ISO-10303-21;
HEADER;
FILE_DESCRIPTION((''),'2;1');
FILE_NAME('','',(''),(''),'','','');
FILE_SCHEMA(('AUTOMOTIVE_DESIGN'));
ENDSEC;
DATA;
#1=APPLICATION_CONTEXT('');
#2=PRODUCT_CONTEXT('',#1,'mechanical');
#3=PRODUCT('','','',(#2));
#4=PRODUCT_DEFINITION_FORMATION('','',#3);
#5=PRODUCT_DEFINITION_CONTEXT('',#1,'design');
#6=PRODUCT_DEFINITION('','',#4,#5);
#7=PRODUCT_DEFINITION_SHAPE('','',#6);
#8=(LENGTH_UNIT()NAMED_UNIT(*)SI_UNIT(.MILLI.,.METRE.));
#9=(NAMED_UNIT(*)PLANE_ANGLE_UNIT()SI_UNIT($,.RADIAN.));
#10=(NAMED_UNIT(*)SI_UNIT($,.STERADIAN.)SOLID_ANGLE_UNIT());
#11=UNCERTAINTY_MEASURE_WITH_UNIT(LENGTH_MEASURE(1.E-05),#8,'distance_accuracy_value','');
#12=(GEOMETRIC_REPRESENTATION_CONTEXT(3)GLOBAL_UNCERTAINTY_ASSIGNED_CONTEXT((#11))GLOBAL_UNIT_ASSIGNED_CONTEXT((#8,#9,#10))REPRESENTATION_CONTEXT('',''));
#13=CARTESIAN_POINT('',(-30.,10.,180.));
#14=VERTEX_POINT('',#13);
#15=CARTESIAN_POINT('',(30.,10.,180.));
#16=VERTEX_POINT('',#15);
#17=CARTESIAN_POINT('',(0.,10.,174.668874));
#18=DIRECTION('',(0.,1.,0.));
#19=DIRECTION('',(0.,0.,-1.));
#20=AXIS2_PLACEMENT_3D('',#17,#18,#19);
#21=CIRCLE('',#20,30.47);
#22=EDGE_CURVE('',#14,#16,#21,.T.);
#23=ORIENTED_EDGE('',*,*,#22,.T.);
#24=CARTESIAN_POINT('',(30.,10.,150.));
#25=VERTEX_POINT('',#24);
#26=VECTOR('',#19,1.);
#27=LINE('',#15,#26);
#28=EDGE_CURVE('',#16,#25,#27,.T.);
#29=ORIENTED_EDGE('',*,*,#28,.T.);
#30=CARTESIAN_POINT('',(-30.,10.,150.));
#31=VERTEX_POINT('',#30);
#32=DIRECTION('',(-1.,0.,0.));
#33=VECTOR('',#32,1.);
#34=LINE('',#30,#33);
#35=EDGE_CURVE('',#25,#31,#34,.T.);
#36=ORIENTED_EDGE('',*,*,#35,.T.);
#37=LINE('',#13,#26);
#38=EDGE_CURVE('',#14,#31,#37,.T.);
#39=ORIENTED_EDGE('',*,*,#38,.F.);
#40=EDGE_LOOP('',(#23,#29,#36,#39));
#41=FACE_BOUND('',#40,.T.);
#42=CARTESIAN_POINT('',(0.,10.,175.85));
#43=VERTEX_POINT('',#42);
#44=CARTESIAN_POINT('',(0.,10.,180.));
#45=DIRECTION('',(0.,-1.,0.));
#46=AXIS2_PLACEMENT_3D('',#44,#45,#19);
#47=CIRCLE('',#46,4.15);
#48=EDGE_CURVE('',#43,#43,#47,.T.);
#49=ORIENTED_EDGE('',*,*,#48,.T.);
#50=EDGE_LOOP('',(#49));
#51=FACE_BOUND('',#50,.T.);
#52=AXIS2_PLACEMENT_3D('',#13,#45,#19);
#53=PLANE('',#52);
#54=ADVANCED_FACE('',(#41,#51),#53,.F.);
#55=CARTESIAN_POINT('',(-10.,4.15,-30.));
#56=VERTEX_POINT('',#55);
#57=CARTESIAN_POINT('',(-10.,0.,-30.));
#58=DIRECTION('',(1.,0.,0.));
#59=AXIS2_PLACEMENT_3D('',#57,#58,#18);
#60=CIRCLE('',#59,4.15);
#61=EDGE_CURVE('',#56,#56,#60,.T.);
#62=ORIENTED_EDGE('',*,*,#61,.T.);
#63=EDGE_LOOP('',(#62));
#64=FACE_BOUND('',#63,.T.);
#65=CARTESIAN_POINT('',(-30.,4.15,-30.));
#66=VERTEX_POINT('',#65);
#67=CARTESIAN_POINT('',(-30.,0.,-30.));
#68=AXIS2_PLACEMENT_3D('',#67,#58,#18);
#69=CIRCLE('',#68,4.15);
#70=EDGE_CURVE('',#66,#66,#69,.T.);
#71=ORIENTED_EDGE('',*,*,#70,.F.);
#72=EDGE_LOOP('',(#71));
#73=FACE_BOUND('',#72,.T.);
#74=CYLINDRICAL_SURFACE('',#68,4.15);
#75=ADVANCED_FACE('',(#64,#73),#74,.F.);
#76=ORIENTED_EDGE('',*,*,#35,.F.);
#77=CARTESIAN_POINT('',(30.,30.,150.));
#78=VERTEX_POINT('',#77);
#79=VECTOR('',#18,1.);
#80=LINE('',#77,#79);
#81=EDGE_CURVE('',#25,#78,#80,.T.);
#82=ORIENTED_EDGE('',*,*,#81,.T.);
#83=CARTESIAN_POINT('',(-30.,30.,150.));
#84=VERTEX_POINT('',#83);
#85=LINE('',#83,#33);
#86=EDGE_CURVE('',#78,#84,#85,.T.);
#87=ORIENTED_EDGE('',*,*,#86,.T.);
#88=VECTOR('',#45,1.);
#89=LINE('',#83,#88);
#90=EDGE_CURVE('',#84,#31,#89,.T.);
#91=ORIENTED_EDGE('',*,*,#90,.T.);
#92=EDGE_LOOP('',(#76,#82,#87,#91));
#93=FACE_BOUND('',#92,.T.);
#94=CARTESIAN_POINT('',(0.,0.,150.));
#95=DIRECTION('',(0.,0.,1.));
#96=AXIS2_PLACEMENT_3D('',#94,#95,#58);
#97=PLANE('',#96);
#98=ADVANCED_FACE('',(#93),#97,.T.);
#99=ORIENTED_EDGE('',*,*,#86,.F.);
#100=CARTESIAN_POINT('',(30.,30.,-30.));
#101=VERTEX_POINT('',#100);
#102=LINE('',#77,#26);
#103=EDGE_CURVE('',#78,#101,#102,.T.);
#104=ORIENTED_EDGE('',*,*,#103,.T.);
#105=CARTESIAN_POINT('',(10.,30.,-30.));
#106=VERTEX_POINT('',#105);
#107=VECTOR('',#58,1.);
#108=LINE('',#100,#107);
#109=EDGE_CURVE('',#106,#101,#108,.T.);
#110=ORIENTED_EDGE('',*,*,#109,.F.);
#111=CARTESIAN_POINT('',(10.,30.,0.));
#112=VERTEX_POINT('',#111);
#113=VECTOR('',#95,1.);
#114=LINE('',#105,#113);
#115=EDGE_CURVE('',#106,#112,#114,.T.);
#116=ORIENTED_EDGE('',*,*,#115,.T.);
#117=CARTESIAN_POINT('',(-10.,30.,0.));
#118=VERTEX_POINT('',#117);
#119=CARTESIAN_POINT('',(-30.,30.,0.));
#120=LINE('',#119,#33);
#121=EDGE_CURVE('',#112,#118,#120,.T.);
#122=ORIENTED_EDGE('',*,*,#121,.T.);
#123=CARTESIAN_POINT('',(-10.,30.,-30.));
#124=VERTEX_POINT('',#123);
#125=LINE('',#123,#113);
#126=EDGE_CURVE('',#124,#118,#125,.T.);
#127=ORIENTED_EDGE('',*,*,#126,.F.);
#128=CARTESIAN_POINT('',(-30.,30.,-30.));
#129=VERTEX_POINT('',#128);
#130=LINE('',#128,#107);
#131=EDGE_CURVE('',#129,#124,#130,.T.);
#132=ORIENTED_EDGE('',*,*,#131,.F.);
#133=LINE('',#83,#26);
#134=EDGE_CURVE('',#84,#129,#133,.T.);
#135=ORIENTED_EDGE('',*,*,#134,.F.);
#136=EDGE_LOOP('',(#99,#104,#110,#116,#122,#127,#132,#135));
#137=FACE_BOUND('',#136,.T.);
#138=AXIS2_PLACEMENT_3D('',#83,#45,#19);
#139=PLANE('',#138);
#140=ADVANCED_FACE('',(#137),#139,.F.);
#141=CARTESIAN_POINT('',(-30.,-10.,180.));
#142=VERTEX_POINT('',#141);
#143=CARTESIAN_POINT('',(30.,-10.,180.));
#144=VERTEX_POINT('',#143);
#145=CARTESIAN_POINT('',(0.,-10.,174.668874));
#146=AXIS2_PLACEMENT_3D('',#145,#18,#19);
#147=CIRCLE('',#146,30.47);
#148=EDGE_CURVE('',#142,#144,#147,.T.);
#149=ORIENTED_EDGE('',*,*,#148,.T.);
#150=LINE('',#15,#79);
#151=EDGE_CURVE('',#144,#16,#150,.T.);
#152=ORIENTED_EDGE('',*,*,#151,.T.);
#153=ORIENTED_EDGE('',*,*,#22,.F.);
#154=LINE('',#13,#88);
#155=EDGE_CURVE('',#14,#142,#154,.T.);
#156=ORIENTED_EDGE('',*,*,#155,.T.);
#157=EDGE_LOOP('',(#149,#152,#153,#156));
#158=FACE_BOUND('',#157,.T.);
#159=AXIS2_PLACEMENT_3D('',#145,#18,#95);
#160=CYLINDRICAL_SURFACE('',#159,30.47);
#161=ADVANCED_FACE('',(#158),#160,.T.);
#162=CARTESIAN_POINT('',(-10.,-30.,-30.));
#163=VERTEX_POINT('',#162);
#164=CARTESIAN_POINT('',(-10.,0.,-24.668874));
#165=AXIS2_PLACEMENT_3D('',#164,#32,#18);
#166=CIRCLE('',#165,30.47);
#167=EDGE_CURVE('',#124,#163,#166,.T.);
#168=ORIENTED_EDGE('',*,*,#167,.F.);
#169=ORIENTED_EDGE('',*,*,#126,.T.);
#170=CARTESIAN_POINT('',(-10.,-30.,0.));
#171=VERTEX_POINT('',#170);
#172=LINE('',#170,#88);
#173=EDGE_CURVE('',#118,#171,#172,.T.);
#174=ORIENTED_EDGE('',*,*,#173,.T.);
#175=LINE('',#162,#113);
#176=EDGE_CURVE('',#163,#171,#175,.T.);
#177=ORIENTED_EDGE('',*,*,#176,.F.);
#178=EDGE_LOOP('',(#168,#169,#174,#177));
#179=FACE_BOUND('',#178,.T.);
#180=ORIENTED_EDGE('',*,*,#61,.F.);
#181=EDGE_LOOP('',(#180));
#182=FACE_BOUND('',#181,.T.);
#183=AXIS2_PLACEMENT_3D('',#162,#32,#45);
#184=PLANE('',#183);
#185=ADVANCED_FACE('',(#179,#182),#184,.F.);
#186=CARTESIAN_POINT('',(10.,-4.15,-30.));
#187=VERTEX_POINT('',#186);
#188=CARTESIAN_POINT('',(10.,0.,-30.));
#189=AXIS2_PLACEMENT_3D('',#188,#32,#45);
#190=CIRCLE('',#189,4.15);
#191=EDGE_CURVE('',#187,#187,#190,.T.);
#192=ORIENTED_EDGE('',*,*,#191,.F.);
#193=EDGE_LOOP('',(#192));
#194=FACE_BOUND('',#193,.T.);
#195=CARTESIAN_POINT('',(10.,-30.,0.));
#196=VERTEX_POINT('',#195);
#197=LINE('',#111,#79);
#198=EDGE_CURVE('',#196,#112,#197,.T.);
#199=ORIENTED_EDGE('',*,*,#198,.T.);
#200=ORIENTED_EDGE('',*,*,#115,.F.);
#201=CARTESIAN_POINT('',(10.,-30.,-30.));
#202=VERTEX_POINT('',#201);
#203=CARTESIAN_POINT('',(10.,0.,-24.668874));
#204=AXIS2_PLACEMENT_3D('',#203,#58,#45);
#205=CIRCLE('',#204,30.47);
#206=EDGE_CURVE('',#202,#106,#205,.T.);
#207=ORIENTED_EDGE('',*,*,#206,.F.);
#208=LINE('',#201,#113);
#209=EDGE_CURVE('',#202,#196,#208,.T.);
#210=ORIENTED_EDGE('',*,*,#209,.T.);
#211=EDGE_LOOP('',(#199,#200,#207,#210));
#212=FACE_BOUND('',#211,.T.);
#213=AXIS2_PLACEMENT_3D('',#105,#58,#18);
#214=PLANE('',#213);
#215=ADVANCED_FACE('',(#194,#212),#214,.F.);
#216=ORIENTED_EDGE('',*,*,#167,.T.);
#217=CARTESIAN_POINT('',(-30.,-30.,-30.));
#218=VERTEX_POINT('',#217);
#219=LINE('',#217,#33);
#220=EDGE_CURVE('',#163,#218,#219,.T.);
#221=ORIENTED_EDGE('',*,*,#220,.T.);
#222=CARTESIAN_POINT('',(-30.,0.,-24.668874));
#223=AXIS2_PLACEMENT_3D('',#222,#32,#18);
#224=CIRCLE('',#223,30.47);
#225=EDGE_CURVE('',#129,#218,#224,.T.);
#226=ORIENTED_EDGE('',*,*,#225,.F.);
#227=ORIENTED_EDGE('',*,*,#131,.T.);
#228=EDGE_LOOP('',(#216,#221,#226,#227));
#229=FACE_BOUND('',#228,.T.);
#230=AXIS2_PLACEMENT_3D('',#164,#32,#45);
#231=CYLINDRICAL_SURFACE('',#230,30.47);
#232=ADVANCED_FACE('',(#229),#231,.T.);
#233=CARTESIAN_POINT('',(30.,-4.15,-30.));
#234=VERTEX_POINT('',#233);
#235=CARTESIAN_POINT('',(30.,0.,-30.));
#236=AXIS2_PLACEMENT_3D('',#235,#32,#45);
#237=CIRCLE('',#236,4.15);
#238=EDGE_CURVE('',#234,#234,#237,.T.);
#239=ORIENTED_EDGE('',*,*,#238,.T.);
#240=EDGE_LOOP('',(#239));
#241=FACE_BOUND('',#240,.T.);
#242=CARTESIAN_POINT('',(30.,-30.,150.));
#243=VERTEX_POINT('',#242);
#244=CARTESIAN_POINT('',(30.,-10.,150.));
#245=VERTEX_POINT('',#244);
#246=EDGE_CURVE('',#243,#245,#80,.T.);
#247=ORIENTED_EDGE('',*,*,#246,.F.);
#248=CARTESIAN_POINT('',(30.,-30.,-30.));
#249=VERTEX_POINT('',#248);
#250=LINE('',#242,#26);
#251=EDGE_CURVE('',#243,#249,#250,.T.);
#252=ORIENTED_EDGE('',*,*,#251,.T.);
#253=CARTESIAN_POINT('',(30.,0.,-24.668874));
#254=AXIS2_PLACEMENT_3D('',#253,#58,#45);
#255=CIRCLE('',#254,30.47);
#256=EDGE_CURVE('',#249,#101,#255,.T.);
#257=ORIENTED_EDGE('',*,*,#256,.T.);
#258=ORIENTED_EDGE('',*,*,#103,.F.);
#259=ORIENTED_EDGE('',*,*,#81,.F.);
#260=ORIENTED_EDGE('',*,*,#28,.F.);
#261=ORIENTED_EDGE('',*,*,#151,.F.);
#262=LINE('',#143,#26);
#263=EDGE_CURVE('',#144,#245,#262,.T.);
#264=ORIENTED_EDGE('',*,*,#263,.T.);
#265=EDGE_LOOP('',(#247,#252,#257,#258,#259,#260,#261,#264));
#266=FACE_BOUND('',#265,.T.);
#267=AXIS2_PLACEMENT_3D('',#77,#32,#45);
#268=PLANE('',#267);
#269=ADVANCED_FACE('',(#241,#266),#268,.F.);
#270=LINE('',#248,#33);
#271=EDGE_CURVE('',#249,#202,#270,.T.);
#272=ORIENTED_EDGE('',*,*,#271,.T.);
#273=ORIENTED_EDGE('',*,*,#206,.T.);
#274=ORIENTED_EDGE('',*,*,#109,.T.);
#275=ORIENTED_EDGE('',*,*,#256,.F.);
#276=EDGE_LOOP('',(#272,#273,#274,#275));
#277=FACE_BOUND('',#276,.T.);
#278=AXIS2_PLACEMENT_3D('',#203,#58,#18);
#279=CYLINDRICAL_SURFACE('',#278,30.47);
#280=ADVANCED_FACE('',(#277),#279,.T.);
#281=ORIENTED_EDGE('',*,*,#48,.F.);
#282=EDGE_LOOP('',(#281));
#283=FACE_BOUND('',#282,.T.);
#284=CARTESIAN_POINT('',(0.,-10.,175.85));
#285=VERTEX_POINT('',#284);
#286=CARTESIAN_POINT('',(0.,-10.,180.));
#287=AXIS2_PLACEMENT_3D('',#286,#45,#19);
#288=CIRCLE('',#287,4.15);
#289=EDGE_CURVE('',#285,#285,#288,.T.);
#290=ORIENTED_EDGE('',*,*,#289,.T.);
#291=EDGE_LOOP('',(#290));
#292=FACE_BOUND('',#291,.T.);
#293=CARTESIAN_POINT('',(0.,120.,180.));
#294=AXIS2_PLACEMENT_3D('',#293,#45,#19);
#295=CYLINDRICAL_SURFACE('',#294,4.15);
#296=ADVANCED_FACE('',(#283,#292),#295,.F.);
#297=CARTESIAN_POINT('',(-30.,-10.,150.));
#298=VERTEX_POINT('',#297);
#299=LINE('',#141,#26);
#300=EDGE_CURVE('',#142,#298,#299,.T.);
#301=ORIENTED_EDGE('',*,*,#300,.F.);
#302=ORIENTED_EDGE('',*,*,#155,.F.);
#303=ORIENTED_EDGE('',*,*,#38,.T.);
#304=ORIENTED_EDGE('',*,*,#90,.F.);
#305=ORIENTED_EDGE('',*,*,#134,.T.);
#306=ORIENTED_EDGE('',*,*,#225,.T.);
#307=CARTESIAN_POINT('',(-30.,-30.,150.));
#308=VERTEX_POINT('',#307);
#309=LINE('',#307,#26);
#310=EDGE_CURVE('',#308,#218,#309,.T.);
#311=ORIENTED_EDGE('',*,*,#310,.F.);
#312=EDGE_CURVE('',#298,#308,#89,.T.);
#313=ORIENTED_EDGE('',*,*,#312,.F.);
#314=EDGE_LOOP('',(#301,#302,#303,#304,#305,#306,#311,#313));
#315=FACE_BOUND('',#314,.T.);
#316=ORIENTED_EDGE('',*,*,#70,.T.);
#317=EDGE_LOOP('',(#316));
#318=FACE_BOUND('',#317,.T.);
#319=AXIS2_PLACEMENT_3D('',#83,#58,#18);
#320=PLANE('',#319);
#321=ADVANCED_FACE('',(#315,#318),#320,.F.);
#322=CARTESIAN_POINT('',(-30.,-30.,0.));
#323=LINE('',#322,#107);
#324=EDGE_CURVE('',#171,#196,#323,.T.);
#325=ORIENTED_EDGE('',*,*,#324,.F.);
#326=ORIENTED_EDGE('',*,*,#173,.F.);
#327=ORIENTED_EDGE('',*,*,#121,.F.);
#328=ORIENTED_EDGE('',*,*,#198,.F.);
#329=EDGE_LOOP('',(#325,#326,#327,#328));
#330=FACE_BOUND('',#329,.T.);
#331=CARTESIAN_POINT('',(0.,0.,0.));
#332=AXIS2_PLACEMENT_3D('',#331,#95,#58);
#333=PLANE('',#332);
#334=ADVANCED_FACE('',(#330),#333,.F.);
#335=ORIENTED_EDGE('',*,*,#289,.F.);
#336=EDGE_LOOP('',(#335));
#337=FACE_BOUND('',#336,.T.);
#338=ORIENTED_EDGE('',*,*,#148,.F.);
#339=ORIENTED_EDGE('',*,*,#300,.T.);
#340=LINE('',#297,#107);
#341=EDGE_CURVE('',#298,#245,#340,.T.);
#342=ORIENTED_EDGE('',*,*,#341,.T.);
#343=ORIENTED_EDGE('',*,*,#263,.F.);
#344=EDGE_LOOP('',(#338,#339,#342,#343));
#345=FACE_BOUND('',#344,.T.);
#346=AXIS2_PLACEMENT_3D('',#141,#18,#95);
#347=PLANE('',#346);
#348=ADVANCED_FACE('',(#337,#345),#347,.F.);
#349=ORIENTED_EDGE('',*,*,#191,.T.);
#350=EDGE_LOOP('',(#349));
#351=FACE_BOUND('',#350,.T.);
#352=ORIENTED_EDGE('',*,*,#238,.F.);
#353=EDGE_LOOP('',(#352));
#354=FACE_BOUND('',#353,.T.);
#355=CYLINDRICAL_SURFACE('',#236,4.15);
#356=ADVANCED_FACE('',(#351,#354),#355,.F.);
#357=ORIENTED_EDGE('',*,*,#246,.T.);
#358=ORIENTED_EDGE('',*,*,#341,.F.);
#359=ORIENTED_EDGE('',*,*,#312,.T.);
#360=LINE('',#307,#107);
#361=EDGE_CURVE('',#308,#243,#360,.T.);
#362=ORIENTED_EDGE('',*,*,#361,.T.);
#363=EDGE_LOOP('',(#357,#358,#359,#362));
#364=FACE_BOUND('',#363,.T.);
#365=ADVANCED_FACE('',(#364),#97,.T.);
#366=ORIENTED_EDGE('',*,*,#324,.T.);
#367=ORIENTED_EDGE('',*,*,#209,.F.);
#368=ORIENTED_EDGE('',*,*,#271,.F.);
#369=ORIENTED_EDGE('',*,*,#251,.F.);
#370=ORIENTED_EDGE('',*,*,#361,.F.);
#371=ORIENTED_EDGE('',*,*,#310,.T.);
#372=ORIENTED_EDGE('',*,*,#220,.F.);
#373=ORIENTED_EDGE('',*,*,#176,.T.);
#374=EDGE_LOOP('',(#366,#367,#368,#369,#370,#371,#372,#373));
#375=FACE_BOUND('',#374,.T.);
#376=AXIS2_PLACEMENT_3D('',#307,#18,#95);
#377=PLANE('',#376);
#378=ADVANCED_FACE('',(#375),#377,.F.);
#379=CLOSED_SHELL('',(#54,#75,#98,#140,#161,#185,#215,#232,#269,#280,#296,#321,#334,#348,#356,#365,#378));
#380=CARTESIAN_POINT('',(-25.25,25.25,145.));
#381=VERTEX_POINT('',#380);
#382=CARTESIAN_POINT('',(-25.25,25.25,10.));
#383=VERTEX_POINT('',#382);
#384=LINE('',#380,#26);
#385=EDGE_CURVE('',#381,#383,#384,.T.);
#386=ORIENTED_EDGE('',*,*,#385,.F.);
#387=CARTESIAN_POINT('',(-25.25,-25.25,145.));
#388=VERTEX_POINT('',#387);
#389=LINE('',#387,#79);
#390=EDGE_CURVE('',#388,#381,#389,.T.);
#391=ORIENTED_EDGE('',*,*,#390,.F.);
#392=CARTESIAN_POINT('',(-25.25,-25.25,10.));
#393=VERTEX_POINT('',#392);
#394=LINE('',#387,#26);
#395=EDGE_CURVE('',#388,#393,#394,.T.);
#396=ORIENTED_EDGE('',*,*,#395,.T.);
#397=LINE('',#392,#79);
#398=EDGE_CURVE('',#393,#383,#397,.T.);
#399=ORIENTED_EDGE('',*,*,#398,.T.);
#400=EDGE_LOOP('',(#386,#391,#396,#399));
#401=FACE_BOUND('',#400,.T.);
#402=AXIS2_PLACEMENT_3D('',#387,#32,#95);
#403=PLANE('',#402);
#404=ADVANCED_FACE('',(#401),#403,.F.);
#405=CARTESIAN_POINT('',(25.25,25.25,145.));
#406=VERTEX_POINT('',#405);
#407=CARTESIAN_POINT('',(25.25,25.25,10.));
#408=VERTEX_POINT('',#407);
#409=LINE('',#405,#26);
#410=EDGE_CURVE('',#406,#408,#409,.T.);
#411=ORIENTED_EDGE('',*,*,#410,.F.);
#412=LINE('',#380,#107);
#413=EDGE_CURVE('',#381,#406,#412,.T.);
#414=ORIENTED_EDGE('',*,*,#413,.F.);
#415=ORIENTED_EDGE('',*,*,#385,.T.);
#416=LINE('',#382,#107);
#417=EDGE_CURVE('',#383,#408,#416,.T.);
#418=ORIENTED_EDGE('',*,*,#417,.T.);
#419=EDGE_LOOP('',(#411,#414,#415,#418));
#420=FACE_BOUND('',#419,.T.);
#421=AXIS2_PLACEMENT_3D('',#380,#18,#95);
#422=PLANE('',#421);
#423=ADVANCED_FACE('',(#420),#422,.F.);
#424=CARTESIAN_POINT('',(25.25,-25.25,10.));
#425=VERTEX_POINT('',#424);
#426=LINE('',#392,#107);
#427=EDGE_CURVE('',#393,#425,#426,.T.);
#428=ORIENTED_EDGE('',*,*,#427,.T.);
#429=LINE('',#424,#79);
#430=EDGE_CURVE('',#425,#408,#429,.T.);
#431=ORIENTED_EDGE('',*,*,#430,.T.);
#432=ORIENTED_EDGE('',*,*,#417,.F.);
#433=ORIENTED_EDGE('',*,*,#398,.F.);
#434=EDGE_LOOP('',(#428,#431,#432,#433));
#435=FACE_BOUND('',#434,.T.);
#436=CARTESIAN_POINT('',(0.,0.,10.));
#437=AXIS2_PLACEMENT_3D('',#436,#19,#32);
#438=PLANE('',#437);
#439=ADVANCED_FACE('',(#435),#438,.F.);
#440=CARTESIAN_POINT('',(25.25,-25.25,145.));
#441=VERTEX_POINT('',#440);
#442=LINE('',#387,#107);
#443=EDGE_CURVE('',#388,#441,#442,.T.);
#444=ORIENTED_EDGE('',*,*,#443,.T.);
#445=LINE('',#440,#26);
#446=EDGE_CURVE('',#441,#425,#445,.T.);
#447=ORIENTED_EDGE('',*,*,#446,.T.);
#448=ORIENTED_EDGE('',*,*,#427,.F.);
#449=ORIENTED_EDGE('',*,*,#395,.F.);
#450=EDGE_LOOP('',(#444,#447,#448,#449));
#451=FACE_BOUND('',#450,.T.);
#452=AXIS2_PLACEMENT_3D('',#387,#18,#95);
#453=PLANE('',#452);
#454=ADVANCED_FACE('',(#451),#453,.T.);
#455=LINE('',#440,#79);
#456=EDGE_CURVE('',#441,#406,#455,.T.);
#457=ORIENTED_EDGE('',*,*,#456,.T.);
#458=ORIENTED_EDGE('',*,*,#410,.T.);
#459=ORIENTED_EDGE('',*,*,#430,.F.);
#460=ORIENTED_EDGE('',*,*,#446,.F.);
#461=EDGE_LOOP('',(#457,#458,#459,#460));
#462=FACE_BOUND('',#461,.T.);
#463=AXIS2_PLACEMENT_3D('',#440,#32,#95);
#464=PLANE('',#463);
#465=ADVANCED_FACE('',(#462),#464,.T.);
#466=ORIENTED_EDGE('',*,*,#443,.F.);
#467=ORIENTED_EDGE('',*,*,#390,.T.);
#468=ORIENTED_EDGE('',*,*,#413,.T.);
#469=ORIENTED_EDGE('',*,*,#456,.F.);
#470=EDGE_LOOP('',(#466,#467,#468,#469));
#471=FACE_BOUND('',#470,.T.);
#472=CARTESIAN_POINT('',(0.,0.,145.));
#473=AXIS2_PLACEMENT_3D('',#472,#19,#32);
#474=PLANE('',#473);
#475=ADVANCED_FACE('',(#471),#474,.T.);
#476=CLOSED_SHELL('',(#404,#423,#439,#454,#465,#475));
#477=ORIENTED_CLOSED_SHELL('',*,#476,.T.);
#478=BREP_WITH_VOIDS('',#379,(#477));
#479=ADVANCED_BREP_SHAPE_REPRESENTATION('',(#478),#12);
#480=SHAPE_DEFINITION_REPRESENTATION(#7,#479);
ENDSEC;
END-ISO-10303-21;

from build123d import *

# Parameters (mm, degrees)
SKETCH2_W               = 60
SKETCH2_H               = 60
BOSS_EXTRUDE1_DEPTH     = 150
SKETCH3_W               = 20
SKETCH3_H               = 60
BOSS_EXTRUDE2_DEPTH     = 30
BOSS_EXTRUDE3_DEPTH     = 20
BOSS_EXTRUDE4_START     = -20
BOSS_EXTRUDE4_DEPTH     = 20
SKETCH6_W               = 60
SKETCH6_H               = 20
BOSS_EXTRUDE5_DEPTH     = 30
BOSS_EXTRUDE6_DEPTH     = 20
CUT_EXTRUDE2_DEPTH      = 5
CUT_EXTRUDE2_DEPTH_BACK = 130
CUT_EXTRUDE2_START      = -10
SKETCH8_W               = 50.5
SKETCH8_H               = 50.5
SKETCH9_R               = 4.15
CUT_EXTRUDE3_DEPTH      = 130
SKETCH11_R              = 4.15
CUT_EXTRUDE4_DEPTH      = 212.144400343
SKETCH12_R              = 4.15
CUT_EXTRUDE5_DEPTH      = 212.144400343


with BuildPart() as part:
    # Sketch2 → Boss-Extrude1 (new body)
    with BuildSketch(Plane.XY):
        Rectangle(SKETCH2_W, SKETCH2_H)
    extrude(amount=BOSS_EXTRUDE1_DEPTH)

    # Sketch3 → Boss-Extrude2 (add)
    with BuildSketch(Plane(origin=(0, 0, 0), x_dir=(-1, 0, 0), z_dir=(0, 0, -1))):
        with Locations((20, 0)):
            Rectangle(SKETCH3_W, SKETCH3_H)
        with Locations((-20, 0)):
            Rectangle(SKETCH3_W, SKETCH3_H)
    extrude(amount=BOSS_EXTRUDE2_DEPTH)

    # Sketch4 → Boss-Extrude3 (add)
    with BuildSketch(Plane(origin=(30, 0, 0), x_dir=(0, 0, -1), z_dir=(1, 0, 0))):
        with BuildLine():
            Line((30, 30), (30, -30))
            ThreePointArc((30, -30), (55.138874415, 0), (30, 30))
        make_face()
    extrude(amount=-BOSS_EXTRUDE3_DEPTH)

    # Sketch5 → Boss-Extrude4 (add)
    with BuildSketch(Plane.ZY.offset(30).offset(BOSS_EXTRUDE4_START)):
        with BuildLine():
            Line((-30, -30), (-30, 30))
            ThreePointArc((-30, 30), (-55.138874415, 0), (-30, -30))
        make_face()
    extrude(amount=BOSS_EXTRUDE4_DEPTH)

    # Sketch6 → Boss-Extrude5 (add)
    with BuildSketch(Plane.XY.offset(150)):
        Rectangle(SKETCH6_W, SKETCH6_H)
    extrude(amount=BOSS_EXTRUDE5_DEPTH)

    # Sketch7 → Boss-Extrude6 (add)
    with BuildSketch(Plane(origin=(0, 10, 0), x_dir=(1, 0, 0), z_dir=(0, 1, 0))):
        with BuildLine():
            Line((30, -180), (-30, -180))
            ThreePointArc((-30, -180), (0, -205.138874415), (30, -180))
        make_face()
    extrude(amount=-BOSS_EXTRUDE6_DEPTH)

    # Sketch8 → Cut-Extrude2 (cut, two sides: drawn at the far end of the back side and taken through both)
    with BuildSketch(Plane.XY.offset(150).offset(CUT_EXTRUDE2_START - CUT_EXTRUDE2_DEPTH_BACK)):
        Rectangle(SKETCH8_W, SKETCH8_H)
    extrude(amount=CUT_EXTRUDE2_DEPTH + CUT_EXTRUDE2_DEPTH_BACK, mode=Mode.SUBTRACT)

    # Sketch9 → Cut-Extrude3 (cut)
    with BuildSketch(Plane(origin=(0, -10, 0), x_dir=(-1, 0, 0), z_dir=(0, -1, 0))):
        with Locations(Location((0, -180, 0), (0, 0, 90))):
            Circle(SKETCH9_R)
    extrude(amount=-CUT_EXTRUDE3_DEPTH, mode=Mode.SUBTRACT)

    # Sketch11 → Cut-Extrude4 (cut, through all)
    with BuildSketch(Plane.ZY.offset(-10)):
        with Locations(Location((-30, 0, 0), (0, 0, 270))):
            Circle(SKETCH11_R)
    extrude(amount=-CUT_EXTRUDE4_DEPTH, mode=Mode.SUBTRACT)

    # Sketch12 → Cut-Extrude5 (cut, through all)
    with BuildSketch(Plane(origin=(-10, 0, 0), x_dir=(0, 0, -1), z_dir=(1, 0, 0))):
        with Locations(Location((30, 0, 0), (0, 0, 270))):
            Circle(SKETCH12_R)
    extrude(amount=-CUT_EXTRUDE5_DEPTH, mode=Mode.SUBTRACT)


solid = part.part
